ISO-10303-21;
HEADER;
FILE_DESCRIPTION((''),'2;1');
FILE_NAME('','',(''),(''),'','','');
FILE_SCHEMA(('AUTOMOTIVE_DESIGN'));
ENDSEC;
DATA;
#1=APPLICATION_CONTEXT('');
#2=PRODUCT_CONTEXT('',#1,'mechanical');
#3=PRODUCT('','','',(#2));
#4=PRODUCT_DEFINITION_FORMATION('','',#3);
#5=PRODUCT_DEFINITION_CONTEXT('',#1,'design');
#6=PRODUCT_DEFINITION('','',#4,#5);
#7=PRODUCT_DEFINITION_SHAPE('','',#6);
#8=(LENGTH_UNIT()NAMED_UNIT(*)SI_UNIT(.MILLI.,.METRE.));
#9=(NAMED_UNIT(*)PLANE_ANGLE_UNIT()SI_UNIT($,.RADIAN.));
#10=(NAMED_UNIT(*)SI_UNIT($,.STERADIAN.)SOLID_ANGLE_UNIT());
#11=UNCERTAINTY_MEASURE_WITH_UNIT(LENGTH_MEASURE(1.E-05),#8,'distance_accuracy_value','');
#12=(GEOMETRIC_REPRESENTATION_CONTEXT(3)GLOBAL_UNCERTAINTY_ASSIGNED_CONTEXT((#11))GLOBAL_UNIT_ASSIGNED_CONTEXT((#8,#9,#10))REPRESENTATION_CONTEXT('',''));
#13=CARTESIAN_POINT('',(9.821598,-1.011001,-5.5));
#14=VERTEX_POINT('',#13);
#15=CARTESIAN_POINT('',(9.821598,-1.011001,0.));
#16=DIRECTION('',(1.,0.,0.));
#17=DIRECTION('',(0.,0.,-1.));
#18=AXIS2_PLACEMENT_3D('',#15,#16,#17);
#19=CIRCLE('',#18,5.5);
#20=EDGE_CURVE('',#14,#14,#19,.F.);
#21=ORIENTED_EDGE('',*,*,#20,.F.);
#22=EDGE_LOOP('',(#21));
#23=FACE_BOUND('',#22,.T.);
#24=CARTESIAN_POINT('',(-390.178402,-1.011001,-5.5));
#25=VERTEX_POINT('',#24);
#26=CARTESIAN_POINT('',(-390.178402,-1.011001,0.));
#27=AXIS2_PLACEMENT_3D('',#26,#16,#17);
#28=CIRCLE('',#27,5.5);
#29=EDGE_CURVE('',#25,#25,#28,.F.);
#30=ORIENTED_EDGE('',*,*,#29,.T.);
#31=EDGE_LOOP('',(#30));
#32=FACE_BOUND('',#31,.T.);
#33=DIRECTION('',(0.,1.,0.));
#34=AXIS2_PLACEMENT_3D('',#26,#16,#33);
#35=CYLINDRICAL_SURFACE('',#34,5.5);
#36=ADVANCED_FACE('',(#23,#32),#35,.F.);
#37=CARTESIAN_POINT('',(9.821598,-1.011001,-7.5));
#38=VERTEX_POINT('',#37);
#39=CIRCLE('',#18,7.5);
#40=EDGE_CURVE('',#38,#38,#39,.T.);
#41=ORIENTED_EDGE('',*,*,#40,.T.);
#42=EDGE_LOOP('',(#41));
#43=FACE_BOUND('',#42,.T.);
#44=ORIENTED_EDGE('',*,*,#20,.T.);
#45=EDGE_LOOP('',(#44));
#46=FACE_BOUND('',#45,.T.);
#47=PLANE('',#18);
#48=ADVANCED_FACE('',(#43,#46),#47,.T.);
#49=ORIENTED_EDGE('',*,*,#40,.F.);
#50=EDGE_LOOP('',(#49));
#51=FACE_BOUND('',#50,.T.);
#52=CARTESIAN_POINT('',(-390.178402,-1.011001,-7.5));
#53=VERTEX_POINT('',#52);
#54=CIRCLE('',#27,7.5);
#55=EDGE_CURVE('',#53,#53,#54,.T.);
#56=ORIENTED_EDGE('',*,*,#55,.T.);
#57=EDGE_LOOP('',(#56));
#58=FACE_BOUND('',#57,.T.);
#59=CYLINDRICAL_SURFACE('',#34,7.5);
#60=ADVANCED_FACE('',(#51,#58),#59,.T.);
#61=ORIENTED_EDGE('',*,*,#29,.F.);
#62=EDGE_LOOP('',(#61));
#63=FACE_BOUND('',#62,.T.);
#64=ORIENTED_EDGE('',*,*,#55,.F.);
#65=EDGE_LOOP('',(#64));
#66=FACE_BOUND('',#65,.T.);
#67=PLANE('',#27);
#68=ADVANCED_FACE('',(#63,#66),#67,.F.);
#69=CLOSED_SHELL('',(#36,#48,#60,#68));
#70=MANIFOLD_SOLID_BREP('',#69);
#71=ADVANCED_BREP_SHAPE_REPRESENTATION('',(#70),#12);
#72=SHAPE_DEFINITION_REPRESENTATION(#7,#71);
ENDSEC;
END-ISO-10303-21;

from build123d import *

# Parameters (mm, degrees)
SKETCH6_R   = 7.5
SKETCH6_R_2 = 5.5


with BuildPart() as part:
    # Sweep1: sweep along a path in Sketch5
    with BuildLine(Plane.XY) as sweep1_path:
        Line((-390.178402047, -2.510858626), (9.821597953, -2.510858626))
    # Sketch6 → Sweep1 (sweep)
    with BuildSketch(Plane(origin=(-390.178402047, 0, 0), x_dir=(0, 0, -1), z_dir=(1, 0, 0))):
        with Locations((0, -1.011000549)):
            Circle(SKETCH6_R)
        with Locations((0, -1.011000549)):
            Circle(SKETCH6_R_2, mode=Mode.SUBTRACT)
    sweep(path=sweep1_path.line)


solid = part.part
